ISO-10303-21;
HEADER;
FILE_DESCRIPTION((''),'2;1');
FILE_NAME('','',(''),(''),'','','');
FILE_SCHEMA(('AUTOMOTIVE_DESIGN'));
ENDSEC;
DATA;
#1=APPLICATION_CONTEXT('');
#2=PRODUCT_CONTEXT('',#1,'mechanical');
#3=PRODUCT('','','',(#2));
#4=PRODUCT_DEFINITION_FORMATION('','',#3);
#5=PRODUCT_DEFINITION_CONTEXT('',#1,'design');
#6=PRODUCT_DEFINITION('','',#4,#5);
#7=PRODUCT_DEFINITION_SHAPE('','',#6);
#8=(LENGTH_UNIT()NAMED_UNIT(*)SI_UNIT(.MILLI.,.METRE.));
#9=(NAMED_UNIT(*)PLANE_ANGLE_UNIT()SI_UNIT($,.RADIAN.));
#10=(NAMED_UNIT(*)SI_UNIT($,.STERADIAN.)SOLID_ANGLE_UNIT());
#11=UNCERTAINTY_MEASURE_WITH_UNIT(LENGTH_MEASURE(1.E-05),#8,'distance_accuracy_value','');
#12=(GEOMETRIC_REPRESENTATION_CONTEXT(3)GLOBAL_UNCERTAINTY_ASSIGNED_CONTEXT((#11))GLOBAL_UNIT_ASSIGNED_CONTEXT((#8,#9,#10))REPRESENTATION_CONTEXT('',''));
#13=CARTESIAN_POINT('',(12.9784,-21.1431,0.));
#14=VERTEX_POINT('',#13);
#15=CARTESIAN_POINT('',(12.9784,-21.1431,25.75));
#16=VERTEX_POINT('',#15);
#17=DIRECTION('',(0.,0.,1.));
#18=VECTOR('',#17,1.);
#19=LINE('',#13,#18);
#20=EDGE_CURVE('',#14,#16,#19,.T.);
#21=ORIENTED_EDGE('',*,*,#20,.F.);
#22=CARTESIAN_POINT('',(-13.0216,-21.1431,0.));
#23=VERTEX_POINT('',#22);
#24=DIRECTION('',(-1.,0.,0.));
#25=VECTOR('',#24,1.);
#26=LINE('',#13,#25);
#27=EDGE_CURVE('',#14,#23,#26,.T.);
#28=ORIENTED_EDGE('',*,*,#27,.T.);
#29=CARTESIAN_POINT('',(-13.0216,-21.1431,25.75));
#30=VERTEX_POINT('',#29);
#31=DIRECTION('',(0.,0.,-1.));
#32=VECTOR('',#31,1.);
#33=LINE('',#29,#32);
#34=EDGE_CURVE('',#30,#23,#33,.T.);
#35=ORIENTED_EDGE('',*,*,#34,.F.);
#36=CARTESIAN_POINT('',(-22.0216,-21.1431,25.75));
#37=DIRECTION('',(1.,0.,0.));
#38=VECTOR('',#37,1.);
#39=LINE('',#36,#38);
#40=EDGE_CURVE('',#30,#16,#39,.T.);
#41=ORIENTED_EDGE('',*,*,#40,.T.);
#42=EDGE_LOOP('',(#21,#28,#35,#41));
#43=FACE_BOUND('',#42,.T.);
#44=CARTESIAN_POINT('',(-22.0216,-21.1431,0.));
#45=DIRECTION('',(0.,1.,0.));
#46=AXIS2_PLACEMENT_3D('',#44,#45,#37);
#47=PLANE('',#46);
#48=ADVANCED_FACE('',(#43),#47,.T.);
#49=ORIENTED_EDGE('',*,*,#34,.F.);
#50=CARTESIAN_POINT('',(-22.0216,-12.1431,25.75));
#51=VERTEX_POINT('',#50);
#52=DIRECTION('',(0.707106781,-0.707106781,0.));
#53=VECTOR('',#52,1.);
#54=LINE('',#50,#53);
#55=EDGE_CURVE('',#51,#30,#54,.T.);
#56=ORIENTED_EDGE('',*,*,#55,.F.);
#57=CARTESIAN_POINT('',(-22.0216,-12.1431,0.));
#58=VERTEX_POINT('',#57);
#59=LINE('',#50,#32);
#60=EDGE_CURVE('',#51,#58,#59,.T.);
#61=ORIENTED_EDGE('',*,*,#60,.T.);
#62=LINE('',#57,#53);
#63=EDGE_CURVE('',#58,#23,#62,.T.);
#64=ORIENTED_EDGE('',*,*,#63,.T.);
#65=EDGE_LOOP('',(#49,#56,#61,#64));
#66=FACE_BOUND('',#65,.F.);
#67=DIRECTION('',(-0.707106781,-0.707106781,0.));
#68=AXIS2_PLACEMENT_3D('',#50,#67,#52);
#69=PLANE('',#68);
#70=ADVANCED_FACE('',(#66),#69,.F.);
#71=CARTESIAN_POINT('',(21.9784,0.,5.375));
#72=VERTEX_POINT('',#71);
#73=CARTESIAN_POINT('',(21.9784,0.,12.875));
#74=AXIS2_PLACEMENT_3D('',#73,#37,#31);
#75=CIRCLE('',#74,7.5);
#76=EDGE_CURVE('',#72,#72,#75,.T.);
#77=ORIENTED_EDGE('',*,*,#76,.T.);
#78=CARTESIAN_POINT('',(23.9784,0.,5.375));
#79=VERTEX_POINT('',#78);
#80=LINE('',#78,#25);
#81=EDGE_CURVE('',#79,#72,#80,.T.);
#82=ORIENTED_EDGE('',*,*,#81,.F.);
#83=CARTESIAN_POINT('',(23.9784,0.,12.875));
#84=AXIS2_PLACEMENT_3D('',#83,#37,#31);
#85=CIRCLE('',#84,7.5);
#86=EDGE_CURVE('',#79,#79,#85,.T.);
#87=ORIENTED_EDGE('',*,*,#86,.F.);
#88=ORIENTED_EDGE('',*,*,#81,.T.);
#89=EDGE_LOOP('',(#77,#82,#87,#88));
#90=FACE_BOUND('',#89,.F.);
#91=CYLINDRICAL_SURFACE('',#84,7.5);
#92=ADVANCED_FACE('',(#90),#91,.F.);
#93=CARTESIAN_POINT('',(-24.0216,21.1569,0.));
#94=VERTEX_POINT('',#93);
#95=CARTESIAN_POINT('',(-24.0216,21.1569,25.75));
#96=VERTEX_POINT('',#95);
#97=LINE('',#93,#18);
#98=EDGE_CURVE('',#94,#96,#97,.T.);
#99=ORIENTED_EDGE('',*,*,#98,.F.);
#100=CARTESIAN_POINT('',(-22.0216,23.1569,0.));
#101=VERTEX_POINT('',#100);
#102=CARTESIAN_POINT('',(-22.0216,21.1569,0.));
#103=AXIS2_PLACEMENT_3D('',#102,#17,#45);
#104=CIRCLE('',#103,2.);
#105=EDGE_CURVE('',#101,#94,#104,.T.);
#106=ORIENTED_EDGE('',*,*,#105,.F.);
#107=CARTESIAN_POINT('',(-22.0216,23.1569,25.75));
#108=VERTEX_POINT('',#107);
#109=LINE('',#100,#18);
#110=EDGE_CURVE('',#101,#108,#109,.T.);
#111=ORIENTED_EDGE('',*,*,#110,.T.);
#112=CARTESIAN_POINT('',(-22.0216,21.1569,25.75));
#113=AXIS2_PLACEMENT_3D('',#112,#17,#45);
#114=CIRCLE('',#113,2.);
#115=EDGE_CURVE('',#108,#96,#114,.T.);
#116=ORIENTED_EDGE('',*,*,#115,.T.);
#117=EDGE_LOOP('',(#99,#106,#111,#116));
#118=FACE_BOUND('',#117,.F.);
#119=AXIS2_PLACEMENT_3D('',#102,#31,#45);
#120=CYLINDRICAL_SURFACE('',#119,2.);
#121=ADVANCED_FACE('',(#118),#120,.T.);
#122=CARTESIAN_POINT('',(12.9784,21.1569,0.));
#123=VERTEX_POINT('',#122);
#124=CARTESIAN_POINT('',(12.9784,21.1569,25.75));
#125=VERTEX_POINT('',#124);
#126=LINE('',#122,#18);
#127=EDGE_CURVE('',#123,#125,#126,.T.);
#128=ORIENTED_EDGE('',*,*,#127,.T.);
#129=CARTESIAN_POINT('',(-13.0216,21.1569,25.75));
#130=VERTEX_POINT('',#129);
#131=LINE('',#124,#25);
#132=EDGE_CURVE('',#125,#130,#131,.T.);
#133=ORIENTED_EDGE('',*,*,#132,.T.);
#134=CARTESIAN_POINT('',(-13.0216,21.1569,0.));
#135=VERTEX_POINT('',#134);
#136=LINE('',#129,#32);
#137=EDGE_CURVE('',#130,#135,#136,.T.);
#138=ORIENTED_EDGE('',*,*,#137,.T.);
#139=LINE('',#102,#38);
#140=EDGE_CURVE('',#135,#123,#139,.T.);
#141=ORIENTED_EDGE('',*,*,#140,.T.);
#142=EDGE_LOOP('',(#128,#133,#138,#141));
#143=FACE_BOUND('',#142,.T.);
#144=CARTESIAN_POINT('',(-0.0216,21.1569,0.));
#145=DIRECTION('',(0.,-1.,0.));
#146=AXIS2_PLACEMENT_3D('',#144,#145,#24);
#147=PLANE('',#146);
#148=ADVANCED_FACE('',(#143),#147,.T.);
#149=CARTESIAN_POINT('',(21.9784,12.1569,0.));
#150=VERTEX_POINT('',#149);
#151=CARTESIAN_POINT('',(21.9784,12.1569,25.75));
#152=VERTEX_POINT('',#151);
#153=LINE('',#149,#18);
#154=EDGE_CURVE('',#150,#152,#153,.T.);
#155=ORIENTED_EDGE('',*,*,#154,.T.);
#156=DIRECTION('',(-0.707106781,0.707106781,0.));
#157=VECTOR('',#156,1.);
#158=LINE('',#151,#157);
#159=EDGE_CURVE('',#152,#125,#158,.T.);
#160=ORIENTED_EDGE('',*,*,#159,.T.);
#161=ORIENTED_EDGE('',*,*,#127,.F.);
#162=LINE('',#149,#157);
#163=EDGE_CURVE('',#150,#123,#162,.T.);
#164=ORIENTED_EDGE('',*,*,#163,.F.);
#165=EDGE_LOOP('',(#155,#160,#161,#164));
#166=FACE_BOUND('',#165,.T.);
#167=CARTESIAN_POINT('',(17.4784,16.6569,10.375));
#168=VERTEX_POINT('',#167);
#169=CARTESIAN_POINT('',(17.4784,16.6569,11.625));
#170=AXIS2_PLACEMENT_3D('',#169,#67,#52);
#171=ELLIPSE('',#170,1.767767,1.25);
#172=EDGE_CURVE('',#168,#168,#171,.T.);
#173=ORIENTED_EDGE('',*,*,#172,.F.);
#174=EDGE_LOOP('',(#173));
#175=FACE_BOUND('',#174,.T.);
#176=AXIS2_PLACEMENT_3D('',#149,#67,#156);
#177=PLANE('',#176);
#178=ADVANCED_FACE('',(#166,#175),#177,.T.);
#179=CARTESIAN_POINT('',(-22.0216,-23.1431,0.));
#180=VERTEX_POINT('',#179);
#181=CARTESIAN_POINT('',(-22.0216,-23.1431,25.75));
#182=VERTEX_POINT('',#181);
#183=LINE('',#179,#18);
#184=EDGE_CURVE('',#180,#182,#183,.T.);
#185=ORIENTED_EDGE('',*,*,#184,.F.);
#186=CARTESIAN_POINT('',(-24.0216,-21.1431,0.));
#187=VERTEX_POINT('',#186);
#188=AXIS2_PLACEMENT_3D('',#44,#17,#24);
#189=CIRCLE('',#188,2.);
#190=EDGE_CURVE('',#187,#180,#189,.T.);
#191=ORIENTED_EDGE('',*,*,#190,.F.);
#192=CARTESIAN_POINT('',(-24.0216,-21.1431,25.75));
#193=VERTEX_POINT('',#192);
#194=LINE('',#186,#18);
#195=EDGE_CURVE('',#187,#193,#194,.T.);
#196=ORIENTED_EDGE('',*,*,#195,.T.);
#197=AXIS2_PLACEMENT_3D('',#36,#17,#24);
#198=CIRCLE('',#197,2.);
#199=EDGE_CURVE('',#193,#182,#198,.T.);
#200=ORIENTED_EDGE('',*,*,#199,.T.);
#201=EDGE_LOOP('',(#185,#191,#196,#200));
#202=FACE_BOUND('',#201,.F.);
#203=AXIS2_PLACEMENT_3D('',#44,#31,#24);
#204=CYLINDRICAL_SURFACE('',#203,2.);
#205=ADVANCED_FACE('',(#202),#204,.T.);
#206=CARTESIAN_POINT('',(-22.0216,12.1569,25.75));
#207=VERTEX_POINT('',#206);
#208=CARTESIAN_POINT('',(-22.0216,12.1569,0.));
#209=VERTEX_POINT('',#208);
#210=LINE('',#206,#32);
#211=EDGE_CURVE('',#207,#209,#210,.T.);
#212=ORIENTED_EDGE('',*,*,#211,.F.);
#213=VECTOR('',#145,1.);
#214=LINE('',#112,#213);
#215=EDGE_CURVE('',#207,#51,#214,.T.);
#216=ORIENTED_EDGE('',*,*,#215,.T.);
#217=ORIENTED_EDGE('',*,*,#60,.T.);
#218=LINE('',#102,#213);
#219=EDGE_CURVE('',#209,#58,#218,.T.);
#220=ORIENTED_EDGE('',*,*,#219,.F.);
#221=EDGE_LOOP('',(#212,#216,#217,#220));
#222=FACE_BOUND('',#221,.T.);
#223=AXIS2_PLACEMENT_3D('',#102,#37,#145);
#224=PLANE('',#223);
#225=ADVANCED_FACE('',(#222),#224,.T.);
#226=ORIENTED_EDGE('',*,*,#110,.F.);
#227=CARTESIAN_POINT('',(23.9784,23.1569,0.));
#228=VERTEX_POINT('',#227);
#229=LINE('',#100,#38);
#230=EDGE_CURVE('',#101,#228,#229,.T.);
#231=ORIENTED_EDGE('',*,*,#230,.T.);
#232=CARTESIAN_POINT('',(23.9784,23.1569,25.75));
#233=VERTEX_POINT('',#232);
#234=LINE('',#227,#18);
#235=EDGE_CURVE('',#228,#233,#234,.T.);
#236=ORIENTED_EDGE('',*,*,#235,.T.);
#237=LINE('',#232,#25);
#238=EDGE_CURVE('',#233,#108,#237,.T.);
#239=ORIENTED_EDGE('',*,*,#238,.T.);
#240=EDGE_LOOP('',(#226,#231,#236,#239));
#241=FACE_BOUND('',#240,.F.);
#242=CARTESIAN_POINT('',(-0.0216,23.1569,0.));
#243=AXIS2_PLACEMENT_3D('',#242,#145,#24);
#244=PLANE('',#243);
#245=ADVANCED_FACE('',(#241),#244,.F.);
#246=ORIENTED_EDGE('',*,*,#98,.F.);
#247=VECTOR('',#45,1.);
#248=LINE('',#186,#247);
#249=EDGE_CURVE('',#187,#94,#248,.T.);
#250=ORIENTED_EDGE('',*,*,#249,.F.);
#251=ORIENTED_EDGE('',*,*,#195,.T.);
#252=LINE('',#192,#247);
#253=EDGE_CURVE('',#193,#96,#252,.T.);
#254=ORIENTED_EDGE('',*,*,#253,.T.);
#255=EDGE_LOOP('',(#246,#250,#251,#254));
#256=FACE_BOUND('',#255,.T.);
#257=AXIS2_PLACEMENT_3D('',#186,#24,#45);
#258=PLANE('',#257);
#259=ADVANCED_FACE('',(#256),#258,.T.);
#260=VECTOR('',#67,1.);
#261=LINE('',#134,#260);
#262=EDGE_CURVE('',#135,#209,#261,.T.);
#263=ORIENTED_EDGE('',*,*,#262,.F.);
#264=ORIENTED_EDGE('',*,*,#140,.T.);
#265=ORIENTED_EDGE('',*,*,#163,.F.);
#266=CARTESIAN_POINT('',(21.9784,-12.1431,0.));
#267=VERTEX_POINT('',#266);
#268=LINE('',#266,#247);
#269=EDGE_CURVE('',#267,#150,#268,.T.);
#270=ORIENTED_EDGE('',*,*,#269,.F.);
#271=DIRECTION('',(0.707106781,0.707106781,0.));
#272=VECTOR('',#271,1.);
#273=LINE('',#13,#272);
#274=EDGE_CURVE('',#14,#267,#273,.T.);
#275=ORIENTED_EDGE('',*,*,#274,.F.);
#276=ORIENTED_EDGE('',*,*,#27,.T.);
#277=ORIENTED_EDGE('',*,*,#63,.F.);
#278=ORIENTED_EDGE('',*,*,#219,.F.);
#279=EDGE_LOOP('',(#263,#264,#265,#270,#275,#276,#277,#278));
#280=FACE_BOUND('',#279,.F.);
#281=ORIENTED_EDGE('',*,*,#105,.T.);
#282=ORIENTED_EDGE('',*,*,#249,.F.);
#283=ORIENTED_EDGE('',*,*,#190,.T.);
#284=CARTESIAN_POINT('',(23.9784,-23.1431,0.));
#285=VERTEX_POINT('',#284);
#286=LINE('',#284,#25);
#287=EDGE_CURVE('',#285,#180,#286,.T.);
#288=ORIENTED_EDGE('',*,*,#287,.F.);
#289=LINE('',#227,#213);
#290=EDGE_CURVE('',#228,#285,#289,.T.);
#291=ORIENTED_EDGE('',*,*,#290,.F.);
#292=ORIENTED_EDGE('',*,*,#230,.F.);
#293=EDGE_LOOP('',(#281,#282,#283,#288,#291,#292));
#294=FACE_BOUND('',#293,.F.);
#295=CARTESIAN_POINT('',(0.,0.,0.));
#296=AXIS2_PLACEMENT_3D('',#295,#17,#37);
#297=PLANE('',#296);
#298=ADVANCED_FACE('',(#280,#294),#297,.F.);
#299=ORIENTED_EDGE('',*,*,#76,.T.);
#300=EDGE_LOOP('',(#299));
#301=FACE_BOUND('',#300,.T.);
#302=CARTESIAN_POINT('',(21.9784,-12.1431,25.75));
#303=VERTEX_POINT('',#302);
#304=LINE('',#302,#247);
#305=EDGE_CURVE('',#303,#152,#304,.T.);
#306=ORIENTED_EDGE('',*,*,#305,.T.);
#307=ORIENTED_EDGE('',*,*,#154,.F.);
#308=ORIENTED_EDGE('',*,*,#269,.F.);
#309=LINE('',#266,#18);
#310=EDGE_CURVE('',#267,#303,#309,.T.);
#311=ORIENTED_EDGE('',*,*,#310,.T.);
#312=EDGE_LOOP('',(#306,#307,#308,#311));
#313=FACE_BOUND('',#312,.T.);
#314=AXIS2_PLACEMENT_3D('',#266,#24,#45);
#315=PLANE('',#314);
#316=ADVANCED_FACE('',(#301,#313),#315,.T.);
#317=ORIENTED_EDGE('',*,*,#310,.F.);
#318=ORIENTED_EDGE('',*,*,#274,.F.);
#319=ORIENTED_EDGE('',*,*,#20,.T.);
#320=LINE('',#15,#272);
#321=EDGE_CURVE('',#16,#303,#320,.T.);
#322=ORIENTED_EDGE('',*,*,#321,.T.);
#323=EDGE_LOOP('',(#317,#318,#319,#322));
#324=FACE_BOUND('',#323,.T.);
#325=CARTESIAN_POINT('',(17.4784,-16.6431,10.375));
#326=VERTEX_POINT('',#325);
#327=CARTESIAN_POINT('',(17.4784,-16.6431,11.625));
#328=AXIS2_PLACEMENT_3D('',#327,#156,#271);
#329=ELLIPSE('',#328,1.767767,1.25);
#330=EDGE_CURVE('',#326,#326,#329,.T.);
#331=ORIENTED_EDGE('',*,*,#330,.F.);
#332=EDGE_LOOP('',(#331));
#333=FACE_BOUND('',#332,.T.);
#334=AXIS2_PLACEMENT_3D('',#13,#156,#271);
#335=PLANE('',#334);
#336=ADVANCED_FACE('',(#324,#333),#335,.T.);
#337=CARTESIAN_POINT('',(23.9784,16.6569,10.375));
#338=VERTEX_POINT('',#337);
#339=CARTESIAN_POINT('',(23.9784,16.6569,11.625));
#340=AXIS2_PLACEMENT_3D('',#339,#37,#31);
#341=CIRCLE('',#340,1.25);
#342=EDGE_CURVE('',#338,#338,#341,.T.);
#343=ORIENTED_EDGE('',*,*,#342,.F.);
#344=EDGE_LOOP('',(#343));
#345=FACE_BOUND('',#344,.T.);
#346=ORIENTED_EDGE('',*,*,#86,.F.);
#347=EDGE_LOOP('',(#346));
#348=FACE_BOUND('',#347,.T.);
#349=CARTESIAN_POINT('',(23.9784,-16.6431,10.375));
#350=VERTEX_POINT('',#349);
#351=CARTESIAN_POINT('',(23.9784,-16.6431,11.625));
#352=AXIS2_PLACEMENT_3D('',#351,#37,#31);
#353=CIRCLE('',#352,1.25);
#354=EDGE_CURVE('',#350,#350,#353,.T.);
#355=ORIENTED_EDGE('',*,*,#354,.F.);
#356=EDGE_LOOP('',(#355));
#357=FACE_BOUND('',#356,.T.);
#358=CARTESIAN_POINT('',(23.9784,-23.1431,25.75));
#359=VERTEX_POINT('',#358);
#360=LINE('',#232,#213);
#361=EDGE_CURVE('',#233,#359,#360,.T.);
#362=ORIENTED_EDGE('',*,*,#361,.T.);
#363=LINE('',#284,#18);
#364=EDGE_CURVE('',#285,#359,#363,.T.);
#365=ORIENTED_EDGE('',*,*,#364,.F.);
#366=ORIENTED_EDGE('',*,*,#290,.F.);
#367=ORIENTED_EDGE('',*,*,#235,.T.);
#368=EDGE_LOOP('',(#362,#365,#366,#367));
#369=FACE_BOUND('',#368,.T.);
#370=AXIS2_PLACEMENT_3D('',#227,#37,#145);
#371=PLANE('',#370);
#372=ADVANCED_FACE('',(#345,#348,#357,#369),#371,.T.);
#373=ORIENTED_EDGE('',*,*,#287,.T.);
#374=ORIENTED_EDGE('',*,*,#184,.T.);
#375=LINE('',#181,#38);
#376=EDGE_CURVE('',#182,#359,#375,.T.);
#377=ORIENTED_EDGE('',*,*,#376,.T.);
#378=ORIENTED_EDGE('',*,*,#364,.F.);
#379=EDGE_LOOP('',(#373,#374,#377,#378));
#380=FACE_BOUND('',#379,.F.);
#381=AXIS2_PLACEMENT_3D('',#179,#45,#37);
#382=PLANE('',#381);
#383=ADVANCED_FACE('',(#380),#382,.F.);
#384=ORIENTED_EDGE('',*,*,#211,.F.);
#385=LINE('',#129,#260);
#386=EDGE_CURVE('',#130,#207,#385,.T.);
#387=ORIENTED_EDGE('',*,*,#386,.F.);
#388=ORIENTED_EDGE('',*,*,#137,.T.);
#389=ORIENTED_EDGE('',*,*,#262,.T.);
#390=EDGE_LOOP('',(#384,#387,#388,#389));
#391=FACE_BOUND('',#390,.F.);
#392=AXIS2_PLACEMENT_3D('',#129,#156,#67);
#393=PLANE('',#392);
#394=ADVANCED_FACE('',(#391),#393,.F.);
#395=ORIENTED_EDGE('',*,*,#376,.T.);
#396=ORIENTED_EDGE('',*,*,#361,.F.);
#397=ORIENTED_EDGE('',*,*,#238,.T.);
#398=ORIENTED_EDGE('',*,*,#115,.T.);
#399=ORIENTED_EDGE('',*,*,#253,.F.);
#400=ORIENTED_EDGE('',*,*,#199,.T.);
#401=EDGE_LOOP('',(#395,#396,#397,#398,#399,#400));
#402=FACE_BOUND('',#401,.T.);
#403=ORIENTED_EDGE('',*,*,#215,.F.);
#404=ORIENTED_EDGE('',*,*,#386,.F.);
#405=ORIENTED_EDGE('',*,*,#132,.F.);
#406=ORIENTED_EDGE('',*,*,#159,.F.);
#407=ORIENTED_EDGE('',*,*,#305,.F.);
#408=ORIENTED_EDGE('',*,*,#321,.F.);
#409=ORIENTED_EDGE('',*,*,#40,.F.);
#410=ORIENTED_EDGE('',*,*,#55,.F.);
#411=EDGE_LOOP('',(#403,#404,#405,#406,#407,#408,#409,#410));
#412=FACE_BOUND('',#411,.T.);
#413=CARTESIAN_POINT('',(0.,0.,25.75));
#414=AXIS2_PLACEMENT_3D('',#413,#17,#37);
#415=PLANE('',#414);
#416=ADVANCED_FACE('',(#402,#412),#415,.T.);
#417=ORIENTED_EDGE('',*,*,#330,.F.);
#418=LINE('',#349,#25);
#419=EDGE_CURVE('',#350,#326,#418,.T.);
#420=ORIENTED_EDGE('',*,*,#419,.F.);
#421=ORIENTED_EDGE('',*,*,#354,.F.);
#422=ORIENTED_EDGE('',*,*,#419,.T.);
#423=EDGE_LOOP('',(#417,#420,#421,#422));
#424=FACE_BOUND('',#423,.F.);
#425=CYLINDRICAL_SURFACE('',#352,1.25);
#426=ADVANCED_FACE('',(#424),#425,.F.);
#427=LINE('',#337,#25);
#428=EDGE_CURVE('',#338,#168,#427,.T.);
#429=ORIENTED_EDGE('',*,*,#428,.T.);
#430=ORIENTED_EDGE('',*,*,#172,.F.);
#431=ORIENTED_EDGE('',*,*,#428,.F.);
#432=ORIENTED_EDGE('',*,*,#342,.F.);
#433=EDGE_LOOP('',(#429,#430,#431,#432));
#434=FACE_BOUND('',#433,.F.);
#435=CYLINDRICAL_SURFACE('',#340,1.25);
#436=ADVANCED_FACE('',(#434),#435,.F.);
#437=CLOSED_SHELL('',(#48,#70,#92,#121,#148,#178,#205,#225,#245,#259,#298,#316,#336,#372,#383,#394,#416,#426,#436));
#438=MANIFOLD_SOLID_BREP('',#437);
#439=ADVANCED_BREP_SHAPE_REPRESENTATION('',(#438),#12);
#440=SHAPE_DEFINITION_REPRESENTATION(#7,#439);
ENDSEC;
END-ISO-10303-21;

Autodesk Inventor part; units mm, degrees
ref_plane "YZ Plane" through (0, 0, 0) normal (1, 0, 0) x (0, 1, 0)
ref_plane "XZ Plane" through (0, 0, 0) normal (0, 1, 0) x (-1, 0, 0)
ref_plane "Work Plane1" through (0, 0, 0) normal (0, 0, 1) x (1, 0, 0)
sketch "Sketch3" plane through (0, 0, 0) normal (0, 0, 1) x (1, 0, 0)
  line L0 (-22.0216, 21.1569) -> (-22.0216, -21.1431) projected
  line L1 (-0.0216, 21.1569) -> (-22.0216, 21.1569) projected
  line L2 (-0.0216, 23.1569) -> (-0.0216, 21.1569) projected
  line L3 (-0.0216, 23.1569) -> (-22.0216, 23.1569) projected
  arc A0 (-22.0216, 23.1569) -> (-24.0216, 21.1569) centre (-22.0216, 21.1569) ccw projected
  line L4 (-24.0216, -21.1431) -> (-24.0216, 21.1569) projected
  arc A1 (-24.0216, -21.1431) -> (-22.0216, -23.1431) centre (-22.0216, -21.1431) ccw projected
  line L5 (-22.0216, -23.1431) -> (-0.0216, -23.1431) projected
  line L6 (-0.0216, -21.1431) -> (-0.0216, -23.1431) projected
  line L7 (-22.0216, -21.1431) -> (-0.0216, -21.1431) projected
  line L8 (0.2784, 23.1569) -> (0.2784, 21.1569) projected
  line L9 (12.9784, 21.1569) -> (0.2784, 21.1569) projected
  line L10 (21.9784, 12.1569) -> (12.9784, 21.1569) projected
  line L11 (21.9784, -12.1431) -> (21.9784, 12.1569) projected
  line L12 (12.9784, -21.1431) -> (21.9784, -12.1431) projected
  line L13 (0.2784, -21.1431) -> (12.9784, -21.1431) projected
  line L14 (0.2784, -21.1431) -> (0.2784, -23.1431) projected
  line L15 (23.9784, -23.1431) -> (0.2784, -23.1431) projected
  line L16 (23.9784, 23.1569) -> (23.9784, -23.1431) projected
  line L17 (0.2784, 23.1569) -> (23.9784, 23.1569) projected
  line L18 (0.2784, 21.1569) -> (-0.0216, 21.1569)
  line L19 (-0.0216, 21.1569) -> (-0.0216, 23.1569)
  line L20 (-0.0216, 23.1569) -> (0.2784, 23.1569)
  line L21 (0.2784, 23.1569) -> (0.2784, 21.1569)
  line L22 (-0.0216, -21.1431) -> (0.2784, -21.1431)
  line L23 (0.2784, -21.1431) -> (0.2784, -23.1431)
  line L24 (0.2784, -23.1431) -> (-0.0216, -23.1431)
  line L25 (-0.0216, -23.1431) -> (-0.0216, -21.1431)
  point P0 (0, 0)
extrude "Extrusion2" add sketch "Sketch3" along normal blind 25.75 contours L0 L7 L6 L5 A1 L4 A0 L3 L2 L1 | L2 L20 L8 L18 | L22 L14 L24 L6 | L8 L17 L16 L15 L14 L13 L12 L11 L10 L9
sketch "Sketch5" plane through (23.9784, -23.1431, 0) normal (1, 0, 0) x (0, 0, -1)
  circle A0 centre (-12.875, 23.1431) radius 7.5
  point P0 (0, 23.1431)
  dimension "d4" = 15
extrude "Extrusion3" cut sketch "Sketch5" against normal up to surface (2 mm away)
sketch "Sketch7" plane through (0, 0, 25.75) normal (0, 0, 1) x (1, 0, 0)
  line L0 (-22.0216, -21.1431) -> (12.9784, -21.1431) projected
  line L1 (-22.0216, 21.1569) -> (-22.0216, -21.1431) projected
  line L2 (-22.0216, -12.1431) -> (-22.0216, -21.1431) projected
  line L3 (-22.0216, -12.1431) -> (-13.0216, -21.1431) projected
  line L4 (-22.0216, -21.1431) -> (-13.0216, -21.1431) projected
  line L5 (-13.0216, 21.1569) -> (-22.0216, 21.1569) projected
  line L6 (-13.0216, 21.1569) -> (-22.0216, 12.1569) projected
  line L7 (-22.0216, 21.1569) -> (-22.0216, 12.1569) projected
  point P0 (0, 0)
ref_plane "Work Plane2" through (-24.0216, -23.1431, 0) normal (0, 0, 1) x (1, 0, 0)
extrude "Extrusion5" add sketch "Sketch7" against normal up to surface (25.75 mm away)
sketch "Sketch8" plane through (23.9784, -23.1431, 0) normal (1, 0, 0) x (0, 0, -1)
  circle A0 centre (-11.625, 39.8) radius 1.25 projected
  circle A1 centre (-11.625, 6.5) radius 1.25 projected
  point P0 (0, 23.1431)
extrude "Extrusion6" cut sketch "Sketch8" against normal blind 25.75
properties part number "MotorHousingBottom_split3"
